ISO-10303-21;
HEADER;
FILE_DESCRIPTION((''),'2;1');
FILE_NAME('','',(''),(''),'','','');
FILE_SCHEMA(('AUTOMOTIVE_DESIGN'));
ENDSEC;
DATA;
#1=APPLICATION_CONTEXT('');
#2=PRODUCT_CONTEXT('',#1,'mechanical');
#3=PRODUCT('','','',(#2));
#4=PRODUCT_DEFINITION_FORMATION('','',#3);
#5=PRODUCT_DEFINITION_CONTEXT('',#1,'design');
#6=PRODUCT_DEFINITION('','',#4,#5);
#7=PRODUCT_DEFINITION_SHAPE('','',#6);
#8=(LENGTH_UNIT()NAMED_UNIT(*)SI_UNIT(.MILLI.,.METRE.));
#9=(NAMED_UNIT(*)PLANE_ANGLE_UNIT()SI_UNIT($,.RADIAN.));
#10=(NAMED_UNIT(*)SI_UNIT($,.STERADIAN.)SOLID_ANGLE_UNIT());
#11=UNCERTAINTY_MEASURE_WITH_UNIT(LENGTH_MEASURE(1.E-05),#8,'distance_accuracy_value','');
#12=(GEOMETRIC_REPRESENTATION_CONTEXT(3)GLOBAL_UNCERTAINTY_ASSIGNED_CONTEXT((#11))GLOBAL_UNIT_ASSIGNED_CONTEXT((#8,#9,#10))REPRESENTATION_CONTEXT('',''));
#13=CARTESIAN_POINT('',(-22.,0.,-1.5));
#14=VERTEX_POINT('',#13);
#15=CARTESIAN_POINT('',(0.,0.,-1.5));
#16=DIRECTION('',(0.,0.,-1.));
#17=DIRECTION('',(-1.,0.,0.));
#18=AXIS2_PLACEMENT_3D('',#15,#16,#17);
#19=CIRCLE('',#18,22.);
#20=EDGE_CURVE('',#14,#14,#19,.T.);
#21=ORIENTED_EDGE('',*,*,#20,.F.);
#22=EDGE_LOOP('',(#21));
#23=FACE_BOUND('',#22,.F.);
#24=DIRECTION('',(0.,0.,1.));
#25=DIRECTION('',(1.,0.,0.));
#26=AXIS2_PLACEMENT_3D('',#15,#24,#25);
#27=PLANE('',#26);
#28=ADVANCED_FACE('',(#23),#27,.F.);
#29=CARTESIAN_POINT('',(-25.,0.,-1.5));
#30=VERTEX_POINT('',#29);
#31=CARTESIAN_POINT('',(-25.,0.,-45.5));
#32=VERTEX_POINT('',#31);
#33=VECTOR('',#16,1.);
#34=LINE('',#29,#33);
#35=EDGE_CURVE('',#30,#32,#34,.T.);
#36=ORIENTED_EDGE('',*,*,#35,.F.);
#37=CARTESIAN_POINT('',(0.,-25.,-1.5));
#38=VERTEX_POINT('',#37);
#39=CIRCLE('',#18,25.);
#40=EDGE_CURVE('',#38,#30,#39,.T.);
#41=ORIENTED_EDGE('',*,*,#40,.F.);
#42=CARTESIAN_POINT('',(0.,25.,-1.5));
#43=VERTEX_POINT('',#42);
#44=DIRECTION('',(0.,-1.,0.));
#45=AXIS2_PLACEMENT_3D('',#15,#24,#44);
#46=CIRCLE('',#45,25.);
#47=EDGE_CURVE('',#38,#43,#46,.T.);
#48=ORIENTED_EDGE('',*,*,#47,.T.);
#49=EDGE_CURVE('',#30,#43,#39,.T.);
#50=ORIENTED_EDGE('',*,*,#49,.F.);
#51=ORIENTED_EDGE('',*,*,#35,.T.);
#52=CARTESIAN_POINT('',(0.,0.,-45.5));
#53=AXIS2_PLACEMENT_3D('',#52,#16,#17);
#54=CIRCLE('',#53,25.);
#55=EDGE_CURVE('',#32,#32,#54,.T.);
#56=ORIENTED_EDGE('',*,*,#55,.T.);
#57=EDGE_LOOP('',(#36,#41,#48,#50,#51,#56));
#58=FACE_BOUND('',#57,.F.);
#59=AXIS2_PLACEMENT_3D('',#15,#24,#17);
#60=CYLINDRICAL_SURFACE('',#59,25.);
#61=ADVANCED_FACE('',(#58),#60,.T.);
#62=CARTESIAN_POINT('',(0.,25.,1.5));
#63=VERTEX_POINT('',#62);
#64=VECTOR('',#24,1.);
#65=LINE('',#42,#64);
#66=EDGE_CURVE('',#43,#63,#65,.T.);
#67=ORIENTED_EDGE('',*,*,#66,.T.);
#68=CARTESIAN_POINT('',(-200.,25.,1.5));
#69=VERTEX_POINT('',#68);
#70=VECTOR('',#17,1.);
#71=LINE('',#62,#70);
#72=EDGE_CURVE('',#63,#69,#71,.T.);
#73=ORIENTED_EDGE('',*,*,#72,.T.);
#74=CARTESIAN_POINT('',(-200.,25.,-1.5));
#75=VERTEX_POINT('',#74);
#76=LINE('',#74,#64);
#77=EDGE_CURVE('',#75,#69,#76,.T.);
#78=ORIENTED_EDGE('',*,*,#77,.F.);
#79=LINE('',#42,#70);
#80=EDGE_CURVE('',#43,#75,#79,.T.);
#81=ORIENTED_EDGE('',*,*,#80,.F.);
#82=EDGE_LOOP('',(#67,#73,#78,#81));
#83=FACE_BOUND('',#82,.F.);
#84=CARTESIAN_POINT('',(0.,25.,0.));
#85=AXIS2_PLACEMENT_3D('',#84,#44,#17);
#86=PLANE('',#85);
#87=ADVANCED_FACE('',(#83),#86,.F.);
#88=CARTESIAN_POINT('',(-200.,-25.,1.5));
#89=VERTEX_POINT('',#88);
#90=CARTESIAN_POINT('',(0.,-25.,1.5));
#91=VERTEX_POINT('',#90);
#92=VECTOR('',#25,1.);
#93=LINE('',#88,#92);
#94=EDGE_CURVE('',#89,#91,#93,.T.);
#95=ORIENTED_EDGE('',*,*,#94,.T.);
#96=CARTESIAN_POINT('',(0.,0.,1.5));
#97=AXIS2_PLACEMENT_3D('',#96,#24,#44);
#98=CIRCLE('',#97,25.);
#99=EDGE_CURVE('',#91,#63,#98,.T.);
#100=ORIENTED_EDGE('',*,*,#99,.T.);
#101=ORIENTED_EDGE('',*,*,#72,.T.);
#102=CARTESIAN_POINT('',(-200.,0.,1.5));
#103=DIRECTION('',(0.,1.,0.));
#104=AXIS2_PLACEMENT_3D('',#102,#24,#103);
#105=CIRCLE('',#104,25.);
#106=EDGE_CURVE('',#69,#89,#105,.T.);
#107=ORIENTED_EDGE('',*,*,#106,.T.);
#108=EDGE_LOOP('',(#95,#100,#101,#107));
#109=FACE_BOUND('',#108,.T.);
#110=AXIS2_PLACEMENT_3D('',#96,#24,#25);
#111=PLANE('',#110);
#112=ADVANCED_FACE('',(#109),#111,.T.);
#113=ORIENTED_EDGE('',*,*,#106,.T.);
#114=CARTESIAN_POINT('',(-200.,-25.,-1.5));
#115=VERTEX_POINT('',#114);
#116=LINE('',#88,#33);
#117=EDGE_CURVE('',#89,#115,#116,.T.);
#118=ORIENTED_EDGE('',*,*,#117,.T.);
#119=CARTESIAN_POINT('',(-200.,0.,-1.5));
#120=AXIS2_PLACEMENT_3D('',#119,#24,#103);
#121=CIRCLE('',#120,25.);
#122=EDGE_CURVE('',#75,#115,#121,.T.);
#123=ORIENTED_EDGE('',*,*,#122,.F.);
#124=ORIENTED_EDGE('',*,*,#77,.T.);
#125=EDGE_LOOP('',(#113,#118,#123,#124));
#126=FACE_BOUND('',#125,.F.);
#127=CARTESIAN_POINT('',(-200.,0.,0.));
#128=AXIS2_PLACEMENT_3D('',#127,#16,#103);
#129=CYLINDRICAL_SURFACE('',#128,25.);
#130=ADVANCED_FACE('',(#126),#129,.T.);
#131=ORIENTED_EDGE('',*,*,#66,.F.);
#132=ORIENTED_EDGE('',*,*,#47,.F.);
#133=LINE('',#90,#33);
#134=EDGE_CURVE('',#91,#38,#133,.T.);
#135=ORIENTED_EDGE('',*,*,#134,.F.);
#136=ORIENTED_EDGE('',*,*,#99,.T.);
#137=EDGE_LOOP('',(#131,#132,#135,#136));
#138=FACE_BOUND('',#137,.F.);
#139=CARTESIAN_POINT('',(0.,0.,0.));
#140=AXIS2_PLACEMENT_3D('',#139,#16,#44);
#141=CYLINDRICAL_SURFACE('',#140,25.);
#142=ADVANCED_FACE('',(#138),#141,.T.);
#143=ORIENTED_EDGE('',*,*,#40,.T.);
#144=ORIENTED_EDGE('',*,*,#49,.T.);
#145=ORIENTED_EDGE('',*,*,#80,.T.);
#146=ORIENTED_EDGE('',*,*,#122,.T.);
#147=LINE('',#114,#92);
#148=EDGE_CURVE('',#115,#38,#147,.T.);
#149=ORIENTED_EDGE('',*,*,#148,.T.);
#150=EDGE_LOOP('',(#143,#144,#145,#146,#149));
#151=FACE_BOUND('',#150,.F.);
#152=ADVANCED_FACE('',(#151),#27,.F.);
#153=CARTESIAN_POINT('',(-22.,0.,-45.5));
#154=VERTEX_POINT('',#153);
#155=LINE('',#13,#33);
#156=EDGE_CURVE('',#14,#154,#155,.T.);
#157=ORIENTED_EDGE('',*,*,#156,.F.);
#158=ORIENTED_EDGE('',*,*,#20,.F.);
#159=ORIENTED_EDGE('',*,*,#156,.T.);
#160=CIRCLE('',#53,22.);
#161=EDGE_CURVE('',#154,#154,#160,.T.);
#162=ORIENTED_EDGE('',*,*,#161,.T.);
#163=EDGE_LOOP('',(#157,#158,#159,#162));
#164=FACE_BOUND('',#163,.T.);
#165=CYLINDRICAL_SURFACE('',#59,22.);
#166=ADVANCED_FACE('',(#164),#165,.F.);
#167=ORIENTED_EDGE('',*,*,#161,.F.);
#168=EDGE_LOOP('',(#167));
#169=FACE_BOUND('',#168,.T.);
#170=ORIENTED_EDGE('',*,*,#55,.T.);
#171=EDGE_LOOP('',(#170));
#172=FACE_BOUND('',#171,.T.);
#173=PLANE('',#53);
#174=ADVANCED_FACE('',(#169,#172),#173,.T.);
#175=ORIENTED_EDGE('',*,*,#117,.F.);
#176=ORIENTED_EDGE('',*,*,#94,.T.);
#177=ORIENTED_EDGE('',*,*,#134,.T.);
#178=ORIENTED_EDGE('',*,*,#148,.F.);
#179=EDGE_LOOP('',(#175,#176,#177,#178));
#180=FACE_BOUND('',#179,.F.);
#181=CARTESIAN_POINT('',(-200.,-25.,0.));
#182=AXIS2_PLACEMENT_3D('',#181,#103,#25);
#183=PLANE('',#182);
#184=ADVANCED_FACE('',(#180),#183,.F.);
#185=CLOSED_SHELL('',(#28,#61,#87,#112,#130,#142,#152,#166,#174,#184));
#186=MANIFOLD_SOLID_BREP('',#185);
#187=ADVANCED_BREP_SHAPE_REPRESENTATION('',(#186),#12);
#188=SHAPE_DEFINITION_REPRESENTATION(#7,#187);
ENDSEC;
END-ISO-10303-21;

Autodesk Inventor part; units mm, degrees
ref_plane "YZ Plane" through (0, 0, 0) normal (1, 0, 0) x (0, 1, 0)
ref_plane "XZ Plane" through (0, 0, 0) normal (0, 1, 0) x (-1, 0, 0)
ref_plane "XY Plane" through (0, 0, 0) normal (0, 0, 1) x (1, 0, 0)
sketch "草圖1" plane through (0, 0, 0) normal (0, 0, 1) x (1, 0, 0)
  line L0 (0, 0) -> (-200, 0) construction
  line L1 (0, 25) -> (-200, 25)
  line L2 (-200, -25) -> (0, -25)
  arc A0 (0, -25) -> (0, 25) centre (0, 0) ccw
  arc A1 (-200, 25) -> (-200, -25) centre (-200, 0) ccw
  point P0 (-100, 0)
  point P1 (25, 0)
  point P2 (-225, 0)
  dimension "d0" = 50
  dimension "d1" = 250
extrude "擠出1" add sketch "草圖1" along normal mid plane 3
sketch "草圖2" plane through (0, 0, 1.5) normal (0, 0, 1) x (1, 0, 0)
  line L0 (-151.7473, -15.3465) -> (-139.1494, -15.3465) construction
  line L1 (-139.1494, -15.3465) -> (-139.1494, -16.9499) construction
  line L2 (-139.1494, -16.9499) -> (-151.7473, -16.9499) construction
  line L3 (-151.7473, -16.9499) -> (-151.7473, -15.3465) construction
  point P0 (0, 0)
sketch "草圖3" plane through (0, 0, -1.5) normal (0, 0, -1) x (-1, 0, 0)
  circle A0 centre (0, 0) radius 25
  circle A1 centre (0, 0) radius 22
  dimension "d4" = 3
extrude "擠出2" add sketch "草圖3" along normal blind 44
properties part number "Arm_1"
